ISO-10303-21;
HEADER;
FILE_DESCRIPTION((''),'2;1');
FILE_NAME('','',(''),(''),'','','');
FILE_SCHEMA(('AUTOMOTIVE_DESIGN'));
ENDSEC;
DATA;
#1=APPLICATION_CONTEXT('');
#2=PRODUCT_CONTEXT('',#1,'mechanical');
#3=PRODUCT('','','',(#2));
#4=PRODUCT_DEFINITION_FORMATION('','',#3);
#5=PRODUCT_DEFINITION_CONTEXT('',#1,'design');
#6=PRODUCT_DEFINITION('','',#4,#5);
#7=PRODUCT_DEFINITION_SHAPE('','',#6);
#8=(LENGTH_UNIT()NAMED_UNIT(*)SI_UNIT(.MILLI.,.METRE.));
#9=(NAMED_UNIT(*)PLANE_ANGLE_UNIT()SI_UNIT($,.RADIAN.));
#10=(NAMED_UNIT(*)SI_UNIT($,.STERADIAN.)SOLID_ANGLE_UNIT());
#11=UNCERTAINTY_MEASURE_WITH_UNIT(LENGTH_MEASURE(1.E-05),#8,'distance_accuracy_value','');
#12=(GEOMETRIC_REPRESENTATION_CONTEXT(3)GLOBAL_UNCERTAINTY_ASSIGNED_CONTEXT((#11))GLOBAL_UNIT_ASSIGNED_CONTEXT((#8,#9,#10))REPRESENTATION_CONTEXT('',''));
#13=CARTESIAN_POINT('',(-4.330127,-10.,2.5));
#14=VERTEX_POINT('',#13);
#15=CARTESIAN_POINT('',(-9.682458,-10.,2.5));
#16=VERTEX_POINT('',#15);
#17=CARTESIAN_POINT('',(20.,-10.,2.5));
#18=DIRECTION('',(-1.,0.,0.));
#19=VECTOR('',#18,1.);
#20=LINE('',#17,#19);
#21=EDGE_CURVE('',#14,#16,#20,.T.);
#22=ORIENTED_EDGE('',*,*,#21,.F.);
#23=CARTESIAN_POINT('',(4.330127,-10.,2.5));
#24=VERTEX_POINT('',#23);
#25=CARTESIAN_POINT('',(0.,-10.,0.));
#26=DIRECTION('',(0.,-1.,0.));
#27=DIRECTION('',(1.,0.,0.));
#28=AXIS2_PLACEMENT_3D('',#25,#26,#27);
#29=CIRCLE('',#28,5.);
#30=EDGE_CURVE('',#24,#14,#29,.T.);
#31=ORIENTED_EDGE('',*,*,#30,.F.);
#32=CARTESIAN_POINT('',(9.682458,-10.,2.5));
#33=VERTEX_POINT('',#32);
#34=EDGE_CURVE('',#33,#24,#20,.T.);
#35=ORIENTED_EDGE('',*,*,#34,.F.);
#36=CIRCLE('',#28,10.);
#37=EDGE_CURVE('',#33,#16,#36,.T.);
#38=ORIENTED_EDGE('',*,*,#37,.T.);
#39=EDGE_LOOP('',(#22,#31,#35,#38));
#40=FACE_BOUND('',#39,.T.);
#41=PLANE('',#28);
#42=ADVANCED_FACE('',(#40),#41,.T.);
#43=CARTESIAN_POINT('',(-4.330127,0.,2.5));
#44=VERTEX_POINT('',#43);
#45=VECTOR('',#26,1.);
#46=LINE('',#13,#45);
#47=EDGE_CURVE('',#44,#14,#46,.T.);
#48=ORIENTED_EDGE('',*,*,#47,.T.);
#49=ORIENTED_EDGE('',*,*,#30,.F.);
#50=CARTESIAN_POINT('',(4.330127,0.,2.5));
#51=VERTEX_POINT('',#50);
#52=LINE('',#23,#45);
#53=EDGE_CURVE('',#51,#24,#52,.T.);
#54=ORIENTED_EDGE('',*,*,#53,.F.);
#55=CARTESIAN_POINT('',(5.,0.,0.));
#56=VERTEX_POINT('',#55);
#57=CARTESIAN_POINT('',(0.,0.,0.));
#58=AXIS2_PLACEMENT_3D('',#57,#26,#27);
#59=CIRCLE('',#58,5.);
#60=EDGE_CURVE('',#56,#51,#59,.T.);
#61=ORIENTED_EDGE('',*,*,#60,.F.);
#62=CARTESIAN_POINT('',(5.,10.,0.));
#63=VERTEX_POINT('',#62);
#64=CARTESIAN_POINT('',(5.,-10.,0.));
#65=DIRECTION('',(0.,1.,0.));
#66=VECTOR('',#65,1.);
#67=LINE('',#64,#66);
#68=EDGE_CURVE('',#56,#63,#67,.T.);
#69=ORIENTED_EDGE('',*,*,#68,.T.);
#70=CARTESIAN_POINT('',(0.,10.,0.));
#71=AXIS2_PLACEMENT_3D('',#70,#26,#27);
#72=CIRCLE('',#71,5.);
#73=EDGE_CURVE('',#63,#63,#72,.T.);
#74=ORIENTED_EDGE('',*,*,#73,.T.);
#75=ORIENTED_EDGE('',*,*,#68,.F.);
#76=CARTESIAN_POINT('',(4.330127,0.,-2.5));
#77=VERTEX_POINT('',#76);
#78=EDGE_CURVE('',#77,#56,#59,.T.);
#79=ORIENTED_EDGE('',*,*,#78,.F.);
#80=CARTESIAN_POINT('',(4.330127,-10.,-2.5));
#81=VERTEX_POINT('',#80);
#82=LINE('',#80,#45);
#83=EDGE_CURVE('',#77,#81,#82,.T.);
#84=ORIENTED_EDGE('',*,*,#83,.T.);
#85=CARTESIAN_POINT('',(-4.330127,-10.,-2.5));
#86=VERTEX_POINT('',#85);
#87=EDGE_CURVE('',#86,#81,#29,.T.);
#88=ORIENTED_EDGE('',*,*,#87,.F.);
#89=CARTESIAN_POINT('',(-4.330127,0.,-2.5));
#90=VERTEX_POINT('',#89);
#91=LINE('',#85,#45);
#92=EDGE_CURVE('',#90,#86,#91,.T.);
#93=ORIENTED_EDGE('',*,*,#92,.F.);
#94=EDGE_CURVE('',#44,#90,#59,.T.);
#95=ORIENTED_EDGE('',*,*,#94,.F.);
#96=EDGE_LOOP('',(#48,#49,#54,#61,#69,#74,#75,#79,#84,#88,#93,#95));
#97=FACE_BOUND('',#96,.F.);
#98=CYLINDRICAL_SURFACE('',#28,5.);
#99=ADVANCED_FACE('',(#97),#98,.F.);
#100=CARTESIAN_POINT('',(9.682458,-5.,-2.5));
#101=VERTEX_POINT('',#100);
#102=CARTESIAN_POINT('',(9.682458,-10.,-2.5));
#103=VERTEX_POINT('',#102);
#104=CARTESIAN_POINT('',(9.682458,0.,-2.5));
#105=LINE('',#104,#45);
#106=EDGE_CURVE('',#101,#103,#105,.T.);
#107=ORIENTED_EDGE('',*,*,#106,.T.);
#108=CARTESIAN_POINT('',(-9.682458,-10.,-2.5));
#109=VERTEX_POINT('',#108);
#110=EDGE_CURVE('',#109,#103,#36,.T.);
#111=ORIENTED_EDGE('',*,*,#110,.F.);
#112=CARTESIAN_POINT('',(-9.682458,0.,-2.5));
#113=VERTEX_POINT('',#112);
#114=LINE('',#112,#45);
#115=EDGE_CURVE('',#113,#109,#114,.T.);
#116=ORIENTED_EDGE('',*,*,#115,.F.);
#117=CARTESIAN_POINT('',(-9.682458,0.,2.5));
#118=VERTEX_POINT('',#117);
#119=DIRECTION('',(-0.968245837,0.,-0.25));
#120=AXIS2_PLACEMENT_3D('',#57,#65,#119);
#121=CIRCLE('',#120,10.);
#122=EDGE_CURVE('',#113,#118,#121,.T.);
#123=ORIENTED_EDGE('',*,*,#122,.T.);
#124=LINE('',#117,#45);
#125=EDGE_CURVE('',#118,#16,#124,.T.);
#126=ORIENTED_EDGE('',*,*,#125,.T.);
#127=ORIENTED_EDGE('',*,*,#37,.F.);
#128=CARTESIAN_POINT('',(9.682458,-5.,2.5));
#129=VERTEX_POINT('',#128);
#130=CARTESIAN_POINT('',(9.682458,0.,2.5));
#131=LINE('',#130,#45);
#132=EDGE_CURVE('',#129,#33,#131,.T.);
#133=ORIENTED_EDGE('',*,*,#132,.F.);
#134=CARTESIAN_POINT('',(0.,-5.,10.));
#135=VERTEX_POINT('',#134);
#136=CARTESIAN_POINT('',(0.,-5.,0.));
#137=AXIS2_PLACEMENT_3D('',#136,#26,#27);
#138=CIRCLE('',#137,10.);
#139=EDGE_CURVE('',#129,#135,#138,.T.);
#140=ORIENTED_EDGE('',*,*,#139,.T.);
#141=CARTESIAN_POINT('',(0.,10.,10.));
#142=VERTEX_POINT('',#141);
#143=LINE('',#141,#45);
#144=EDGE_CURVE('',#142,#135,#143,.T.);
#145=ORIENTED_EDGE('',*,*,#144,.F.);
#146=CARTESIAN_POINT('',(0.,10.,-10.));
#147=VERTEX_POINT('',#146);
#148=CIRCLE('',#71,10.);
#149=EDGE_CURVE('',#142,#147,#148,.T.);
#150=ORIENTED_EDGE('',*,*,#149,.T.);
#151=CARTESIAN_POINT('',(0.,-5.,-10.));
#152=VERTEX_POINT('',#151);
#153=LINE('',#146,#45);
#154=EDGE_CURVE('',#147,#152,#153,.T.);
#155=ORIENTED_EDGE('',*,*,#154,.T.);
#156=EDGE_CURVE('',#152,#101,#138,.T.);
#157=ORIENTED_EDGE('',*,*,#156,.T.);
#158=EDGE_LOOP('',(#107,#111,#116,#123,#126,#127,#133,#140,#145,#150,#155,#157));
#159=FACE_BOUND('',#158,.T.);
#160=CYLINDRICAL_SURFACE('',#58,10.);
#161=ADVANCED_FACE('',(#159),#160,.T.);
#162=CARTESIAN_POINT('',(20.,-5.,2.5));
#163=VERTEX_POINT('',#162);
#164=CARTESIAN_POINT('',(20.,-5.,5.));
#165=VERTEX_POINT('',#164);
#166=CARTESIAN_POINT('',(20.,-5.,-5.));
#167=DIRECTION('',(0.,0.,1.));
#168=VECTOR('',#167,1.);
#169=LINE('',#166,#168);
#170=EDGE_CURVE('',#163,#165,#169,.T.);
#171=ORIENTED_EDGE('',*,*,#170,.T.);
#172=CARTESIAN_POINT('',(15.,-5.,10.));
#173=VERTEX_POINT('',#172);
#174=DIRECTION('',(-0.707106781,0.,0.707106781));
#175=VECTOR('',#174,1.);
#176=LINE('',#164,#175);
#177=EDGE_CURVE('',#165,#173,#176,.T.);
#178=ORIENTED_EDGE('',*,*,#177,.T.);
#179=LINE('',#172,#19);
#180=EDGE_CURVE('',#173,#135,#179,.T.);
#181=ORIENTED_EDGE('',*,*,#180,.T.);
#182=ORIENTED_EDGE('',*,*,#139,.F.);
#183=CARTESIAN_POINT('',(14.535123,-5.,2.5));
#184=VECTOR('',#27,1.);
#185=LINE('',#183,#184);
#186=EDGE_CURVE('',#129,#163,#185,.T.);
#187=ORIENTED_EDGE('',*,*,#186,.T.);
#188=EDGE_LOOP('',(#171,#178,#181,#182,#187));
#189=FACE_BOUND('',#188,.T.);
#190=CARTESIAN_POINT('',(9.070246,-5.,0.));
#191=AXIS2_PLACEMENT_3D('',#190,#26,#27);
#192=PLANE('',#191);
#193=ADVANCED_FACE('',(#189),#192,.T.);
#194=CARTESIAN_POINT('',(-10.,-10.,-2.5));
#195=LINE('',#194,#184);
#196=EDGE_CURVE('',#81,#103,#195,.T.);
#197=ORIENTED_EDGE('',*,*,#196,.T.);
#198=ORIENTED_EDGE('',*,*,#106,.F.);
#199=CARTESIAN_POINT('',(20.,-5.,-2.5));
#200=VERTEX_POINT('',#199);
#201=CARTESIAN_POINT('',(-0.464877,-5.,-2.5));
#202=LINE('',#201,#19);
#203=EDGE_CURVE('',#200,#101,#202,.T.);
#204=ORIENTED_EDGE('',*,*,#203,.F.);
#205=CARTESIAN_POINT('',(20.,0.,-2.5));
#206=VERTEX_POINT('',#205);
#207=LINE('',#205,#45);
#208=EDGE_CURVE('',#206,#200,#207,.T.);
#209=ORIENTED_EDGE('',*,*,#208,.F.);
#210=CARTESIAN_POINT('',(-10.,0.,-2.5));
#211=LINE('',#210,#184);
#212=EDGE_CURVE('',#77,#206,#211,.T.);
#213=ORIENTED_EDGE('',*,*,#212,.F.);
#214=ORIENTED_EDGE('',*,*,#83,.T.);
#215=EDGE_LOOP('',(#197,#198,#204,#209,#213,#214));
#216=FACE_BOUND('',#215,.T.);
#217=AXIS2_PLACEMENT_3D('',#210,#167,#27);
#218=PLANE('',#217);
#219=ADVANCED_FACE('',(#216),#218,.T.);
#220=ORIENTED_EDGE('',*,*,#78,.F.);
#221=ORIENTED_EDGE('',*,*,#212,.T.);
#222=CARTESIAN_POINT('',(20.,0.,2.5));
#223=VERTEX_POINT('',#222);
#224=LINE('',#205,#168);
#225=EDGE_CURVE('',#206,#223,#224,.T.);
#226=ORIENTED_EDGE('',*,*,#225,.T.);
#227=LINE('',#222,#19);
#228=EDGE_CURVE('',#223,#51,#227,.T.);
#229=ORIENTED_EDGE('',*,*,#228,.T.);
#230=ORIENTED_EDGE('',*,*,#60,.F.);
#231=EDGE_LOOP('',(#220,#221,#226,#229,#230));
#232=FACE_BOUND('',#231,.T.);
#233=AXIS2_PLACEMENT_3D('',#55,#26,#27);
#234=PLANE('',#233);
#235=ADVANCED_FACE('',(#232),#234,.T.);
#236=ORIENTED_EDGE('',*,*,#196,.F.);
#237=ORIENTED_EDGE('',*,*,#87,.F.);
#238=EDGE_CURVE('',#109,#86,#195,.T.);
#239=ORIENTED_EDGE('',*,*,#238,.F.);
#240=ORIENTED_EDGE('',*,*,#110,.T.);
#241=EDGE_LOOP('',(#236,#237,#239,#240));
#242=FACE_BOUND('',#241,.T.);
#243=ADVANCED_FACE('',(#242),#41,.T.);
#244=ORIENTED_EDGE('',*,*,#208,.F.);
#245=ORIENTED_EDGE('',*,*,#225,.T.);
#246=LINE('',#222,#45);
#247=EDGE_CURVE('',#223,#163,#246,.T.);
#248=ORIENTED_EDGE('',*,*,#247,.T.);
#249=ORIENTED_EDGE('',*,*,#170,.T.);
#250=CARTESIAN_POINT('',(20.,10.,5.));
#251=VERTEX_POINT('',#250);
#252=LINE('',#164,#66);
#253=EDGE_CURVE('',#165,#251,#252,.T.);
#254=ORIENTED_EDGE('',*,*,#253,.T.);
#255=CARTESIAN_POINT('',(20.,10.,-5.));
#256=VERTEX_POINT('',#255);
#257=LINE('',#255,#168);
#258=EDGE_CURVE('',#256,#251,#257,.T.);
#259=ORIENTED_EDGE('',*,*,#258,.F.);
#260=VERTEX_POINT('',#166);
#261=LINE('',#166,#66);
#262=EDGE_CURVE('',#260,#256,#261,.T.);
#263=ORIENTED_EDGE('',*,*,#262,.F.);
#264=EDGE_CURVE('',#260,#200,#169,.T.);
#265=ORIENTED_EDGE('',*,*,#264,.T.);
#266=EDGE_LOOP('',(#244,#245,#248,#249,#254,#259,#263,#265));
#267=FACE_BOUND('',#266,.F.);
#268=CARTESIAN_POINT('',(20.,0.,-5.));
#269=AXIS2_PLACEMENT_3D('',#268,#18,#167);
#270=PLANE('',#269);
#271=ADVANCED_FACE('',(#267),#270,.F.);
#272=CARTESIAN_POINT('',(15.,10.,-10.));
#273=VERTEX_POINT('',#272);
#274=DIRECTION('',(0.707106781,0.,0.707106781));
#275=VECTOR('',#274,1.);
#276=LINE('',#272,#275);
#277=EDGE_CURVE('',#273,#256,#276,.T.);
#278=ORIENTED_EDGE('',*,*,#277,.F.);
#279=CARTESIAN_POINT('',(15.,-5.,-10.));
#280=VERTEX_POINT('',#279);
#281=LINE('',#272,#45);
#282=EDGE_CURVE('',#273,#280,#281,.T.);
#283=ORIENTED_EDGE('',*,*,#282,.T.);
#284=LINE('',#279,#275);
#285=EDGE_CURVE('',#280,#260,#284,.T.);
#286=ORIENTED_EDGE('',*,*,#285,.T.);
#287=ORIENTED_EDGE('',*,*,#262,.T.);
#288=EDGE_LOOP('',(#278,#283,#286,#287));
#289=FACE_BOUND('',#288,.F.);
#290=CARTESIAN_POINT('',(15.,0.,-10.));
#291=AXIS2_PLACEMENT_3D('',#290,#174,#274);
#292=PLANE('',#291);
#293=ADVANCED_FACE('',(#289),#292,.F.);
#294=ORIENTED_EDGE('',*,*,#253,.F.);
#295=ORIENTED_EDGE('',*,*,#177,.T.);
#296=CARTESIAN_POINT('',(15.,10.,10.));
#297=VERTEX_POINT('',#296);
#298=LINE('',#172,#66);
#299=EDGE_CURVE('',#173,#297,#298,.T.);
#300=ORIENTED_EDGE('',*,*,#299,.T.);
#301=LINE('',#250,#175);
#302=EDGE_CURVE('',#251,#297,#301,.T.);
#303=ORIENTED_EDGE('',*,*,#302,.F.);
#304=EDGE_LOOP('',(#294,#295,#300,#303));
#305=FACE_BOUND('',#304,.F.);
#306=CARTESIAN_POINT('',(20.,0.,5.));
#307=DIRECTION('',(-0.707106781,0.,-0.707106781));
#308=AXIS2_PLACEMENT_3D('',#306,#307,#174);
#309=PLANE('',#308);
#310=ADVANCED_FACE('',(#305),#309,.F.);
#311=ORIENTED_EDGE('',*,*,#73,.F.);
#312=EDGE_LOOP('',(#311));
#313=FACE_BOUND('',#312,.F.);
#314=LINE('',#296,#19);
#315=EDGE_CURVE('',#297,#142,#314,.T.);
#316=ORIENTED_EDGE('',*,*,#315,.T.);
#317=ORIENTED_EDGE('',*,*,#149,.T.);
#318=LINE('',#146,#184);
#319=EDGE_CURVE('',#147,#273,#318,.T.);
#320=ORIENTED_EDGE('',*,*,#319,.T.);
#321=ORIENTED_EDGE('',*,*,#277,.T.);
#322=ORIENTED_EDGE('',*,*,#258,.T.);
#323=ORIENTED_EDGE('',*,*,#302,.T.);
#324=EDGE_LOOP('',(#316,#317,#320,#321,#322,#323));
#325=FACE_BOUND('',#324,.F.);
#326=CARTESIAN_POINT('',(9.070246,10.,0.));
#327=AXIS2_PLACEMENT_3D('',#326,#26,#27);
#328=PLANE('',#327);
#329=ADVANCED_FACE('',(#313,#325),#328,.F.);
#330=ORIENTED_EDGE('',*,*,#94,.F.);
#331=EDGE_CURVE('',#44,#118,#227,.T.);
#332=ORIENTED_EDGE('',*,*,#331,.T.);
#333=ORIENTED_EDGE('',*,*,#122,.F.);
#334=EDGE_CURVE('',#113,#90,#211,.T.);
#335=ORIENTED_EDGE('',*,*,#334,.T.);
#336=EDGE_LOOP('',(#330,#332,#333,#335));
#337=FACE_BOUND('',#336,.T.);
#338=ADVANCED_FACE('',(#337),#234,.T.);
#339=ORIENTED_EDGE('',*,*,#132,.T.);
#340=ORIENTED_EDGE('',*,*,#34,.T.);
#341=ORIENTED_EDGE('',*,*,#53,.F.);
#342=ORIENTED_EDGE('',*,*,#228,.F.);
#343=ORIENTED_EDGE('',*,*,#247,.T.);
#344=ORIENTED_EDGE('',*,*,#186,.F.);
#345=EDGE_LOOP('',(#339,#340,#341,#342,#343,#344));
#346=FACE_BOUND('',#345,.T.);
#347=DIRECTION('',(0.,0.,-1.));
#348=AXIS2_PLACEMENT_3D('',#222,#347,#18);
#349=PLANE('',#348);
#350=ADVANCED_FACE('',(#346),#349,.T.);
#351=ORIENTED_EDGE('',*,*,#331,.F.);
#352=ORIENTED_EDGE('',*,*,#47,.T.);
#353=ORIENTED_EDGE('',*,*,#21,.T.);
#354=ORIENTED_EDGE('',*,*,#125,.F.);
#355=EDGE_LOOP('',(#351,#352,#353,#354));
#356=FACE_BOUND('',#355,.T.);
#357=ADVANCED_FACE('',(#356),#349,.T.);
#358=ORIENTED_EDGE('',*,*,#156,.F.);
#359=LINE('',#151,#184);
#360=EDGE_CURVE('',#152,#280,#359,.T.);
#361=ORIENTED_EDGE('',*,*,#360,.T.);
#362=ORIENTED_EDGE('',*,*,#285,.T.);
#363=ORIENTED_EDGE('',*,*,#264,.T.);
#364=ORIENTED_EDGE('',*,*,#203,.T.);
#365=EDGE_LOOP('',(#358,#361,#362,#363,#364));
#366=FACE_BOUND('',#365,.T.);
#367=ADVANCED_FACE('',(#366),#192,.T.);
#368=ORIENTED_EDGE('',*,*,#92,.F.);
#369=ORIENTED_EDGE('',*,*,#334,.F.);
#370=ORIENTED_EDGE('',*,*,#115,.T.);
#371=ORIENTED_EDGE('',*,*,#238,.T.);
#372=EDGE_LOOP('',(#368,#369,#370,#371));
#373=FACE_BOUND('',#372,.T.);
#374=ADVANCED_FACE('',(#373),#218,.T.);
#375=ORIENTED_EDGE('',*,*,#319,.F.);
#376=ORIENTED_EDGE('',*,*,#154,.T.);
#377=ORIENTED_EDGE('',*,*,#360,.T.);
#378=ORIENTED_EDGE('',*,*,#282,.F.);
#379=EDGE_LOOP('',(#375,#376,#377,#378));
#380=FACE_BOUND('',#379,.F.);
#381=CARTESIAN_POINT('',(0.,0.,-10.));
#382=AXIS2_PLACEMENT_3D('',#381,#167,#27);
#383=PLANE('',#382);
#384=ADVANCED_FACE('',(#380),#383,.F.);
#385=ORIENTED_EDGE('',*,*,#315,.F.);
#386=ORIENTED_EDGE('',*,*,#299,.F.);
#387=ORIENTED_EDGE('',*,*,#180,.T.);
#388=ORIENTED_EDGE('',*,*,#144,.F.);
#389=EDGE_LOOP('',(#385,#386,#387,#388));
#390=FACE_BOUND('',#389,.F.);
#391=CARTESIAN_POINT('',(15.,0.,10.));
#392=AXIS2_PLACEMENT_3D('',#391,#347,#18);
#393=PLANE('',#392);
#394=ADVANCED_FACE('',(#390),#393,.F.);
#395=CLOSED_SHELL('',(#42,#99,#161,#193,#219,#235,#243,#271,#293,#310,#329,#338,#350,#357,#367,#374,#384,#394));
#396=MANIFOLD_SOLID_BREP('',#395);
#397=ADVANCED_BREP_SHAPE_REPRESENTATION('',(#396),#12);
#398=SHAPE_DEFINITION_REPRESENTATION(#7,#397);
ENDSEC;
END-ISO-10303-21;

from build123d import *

# Parameters (mm, degrees)
F0_R          = 10
F1_DEPTH      = 10
F3_DEPTH      = 10
F3_DEPTH_BACK = 5
F4_R          = 5
F5_DEPTH      = 20.001
F7_DEPTH      = 10


with BuildPart() as f1:
    # F0 (on Front) → F1 (new body, symmetric)
    with BuildSketch(Plane.XZ):
        Circle(F0_R)
    extrude(amount=F1_DEPTH, both=True)

    # F2 (on Front) → F3 (join, two sides)
    with BuildSketch(Plane.XZ) as f3_sk:
        Polygon((15, 10), (0, 10), (0, -10), (15, -10), (20, -5), (20, 0), (20, 5), align=None)
    extrude(amount=-F3_DEPTH)
    extrude(f3_sk.sketch, amount=F3_DEPTH_BACK)

    # F4 (on face) → F5 (cut, through all)
    with BuildSketch(Plane.XZ.offset(10)):
        Circle(F4_R)
    extrude(amount=-F5_DEPTH, mode=Mode.SUBTRACT)

    # F6 (on Front) → F7 (cut)
    with BuildSketch(Plane.XZ):
        Polygon((-10, 2.5), (-10, 0), (-10, -2.5), (20, -2.5), (20, 0), (20, 2.5), align=None)
    extrude(amount=F7_DEPTH, mode=Mode.SUBTRACT)


solid = f1.part
